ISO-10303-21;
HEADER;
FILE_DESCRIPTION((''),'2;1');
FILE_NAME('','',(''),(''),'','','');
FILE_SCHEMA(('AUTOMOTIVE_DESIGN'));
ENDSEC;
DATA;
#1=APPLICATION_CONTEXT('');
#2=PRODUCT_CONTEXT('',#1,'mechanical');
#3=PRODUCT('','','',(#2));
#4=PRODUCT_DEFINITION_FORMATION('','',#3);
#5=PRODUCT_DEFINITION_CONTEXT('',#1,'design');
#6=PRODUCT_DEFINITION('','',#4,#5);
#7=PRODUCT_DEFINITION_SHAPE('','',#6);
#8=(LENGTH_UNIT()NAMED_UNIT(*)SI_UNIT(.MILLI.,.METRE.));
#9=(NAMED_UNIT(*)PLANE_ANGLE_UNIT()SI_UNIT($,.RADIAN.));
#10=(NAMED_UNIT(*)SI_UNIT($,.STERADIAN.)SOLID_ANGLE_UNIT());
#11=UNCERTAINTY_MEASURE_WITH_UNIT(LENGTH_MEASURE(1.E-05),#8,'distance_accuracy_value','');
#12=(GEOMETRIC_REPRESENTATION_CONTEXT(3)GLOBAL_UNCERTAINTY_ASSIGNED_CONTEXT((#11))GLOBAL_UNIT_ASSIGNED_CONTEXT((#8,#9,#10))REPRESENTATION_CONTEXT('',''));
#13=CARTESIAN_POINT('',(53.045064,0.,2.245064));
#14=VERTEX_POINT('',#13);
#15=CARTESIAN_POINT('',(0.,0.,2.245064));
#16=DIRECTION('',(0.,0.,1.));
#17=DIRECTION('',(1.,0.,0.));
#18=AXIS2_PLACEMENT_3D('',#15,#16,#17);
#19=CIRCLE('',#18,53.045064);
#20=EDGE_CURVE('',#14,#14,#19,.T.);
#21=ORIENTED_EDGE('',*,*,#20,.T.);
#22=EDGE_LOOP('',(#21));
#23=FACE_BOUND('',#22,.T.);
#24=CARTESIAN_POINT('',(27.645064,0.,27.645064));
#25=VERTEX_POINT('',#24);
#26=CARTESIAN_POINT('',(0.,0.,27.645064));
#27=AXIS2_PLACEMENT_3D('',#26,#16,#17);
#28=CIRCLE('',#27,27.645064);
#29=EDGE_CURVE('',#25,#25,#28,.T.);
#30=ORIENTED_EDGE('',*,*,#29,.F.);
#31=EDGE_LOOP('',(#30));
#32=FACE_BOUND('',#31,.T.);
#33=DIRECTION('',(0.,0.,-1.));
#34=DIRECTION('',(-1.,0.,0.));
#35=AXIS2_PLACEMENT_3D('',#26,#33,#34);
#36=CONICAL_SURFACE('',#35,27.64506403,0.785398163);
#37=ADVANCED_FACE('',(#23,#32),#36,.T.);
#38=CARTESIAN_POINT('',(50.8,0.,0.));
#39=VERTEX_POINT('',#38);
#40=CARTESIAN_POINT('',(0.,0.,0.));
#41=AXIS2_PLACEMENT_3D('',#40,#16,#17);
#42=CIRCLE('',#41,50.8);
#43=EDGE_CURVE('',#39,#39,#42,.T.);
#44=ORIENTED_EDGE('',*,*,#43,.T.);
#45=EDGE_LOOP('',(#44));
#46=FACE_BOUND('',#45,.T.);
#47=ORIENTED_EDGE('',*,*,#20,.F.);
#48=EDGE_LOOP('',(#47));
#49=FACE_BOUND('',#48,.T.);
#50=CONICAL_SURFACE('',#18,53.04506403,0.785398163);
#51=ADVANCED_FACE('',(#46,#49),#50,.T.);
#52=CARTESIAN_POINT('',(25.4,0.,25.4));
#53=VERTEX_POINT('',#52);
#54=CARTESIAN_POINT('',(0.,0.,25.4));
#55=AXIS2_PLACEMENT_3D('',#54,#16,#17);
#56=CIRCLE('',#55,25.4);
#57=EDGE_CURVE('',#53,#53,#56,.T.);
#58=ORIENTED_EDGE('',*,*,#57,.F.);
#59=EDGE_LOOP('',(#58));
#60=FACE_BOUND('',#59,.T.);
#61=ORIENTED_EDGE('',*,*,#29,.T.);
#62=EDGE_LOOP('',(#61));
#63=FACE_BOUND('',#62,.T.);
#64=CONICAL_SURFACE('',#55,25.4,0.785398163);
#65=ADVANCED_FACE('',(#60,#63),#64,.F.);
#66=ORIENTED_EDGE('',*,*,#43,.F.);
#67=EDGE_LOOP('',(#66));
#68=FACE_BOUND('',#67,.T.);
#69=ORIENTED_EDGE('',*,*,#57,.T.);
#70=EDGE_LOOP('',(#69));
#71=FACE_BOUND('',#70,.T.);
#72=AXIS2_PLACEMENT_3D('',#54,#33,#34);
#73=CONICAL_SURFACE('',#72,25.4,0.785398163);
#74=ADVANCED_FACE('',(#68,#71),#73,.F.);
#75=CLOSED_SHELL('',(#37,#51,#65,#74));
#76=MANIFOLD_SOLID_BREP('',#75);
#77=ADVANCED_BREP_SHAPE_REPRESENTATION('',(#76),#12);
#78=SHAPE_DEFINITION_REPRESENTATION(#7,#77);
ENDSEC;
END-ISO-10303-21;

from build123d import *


with BuildPart() as part:
    # Sketch1 → Revolve-Thin1 (revolve)
    with BuildSketch(Plane.YZ, mode=Mode.PRIVATE) as revolve_thin1_sk:
        Polygon((25.4, 25.4), (50.8, 0), (53.04506403, 2.24506403), (27.64506403, 27.64506403), align=None)
    revolve(revolve_thin1_sk.sketch.rotate(Axis((0, 0, 26.67), (0, 0, -1)), 90), axis=Axis((0, 0, 26.67), (0, 0, -1)))


solid = part.part
